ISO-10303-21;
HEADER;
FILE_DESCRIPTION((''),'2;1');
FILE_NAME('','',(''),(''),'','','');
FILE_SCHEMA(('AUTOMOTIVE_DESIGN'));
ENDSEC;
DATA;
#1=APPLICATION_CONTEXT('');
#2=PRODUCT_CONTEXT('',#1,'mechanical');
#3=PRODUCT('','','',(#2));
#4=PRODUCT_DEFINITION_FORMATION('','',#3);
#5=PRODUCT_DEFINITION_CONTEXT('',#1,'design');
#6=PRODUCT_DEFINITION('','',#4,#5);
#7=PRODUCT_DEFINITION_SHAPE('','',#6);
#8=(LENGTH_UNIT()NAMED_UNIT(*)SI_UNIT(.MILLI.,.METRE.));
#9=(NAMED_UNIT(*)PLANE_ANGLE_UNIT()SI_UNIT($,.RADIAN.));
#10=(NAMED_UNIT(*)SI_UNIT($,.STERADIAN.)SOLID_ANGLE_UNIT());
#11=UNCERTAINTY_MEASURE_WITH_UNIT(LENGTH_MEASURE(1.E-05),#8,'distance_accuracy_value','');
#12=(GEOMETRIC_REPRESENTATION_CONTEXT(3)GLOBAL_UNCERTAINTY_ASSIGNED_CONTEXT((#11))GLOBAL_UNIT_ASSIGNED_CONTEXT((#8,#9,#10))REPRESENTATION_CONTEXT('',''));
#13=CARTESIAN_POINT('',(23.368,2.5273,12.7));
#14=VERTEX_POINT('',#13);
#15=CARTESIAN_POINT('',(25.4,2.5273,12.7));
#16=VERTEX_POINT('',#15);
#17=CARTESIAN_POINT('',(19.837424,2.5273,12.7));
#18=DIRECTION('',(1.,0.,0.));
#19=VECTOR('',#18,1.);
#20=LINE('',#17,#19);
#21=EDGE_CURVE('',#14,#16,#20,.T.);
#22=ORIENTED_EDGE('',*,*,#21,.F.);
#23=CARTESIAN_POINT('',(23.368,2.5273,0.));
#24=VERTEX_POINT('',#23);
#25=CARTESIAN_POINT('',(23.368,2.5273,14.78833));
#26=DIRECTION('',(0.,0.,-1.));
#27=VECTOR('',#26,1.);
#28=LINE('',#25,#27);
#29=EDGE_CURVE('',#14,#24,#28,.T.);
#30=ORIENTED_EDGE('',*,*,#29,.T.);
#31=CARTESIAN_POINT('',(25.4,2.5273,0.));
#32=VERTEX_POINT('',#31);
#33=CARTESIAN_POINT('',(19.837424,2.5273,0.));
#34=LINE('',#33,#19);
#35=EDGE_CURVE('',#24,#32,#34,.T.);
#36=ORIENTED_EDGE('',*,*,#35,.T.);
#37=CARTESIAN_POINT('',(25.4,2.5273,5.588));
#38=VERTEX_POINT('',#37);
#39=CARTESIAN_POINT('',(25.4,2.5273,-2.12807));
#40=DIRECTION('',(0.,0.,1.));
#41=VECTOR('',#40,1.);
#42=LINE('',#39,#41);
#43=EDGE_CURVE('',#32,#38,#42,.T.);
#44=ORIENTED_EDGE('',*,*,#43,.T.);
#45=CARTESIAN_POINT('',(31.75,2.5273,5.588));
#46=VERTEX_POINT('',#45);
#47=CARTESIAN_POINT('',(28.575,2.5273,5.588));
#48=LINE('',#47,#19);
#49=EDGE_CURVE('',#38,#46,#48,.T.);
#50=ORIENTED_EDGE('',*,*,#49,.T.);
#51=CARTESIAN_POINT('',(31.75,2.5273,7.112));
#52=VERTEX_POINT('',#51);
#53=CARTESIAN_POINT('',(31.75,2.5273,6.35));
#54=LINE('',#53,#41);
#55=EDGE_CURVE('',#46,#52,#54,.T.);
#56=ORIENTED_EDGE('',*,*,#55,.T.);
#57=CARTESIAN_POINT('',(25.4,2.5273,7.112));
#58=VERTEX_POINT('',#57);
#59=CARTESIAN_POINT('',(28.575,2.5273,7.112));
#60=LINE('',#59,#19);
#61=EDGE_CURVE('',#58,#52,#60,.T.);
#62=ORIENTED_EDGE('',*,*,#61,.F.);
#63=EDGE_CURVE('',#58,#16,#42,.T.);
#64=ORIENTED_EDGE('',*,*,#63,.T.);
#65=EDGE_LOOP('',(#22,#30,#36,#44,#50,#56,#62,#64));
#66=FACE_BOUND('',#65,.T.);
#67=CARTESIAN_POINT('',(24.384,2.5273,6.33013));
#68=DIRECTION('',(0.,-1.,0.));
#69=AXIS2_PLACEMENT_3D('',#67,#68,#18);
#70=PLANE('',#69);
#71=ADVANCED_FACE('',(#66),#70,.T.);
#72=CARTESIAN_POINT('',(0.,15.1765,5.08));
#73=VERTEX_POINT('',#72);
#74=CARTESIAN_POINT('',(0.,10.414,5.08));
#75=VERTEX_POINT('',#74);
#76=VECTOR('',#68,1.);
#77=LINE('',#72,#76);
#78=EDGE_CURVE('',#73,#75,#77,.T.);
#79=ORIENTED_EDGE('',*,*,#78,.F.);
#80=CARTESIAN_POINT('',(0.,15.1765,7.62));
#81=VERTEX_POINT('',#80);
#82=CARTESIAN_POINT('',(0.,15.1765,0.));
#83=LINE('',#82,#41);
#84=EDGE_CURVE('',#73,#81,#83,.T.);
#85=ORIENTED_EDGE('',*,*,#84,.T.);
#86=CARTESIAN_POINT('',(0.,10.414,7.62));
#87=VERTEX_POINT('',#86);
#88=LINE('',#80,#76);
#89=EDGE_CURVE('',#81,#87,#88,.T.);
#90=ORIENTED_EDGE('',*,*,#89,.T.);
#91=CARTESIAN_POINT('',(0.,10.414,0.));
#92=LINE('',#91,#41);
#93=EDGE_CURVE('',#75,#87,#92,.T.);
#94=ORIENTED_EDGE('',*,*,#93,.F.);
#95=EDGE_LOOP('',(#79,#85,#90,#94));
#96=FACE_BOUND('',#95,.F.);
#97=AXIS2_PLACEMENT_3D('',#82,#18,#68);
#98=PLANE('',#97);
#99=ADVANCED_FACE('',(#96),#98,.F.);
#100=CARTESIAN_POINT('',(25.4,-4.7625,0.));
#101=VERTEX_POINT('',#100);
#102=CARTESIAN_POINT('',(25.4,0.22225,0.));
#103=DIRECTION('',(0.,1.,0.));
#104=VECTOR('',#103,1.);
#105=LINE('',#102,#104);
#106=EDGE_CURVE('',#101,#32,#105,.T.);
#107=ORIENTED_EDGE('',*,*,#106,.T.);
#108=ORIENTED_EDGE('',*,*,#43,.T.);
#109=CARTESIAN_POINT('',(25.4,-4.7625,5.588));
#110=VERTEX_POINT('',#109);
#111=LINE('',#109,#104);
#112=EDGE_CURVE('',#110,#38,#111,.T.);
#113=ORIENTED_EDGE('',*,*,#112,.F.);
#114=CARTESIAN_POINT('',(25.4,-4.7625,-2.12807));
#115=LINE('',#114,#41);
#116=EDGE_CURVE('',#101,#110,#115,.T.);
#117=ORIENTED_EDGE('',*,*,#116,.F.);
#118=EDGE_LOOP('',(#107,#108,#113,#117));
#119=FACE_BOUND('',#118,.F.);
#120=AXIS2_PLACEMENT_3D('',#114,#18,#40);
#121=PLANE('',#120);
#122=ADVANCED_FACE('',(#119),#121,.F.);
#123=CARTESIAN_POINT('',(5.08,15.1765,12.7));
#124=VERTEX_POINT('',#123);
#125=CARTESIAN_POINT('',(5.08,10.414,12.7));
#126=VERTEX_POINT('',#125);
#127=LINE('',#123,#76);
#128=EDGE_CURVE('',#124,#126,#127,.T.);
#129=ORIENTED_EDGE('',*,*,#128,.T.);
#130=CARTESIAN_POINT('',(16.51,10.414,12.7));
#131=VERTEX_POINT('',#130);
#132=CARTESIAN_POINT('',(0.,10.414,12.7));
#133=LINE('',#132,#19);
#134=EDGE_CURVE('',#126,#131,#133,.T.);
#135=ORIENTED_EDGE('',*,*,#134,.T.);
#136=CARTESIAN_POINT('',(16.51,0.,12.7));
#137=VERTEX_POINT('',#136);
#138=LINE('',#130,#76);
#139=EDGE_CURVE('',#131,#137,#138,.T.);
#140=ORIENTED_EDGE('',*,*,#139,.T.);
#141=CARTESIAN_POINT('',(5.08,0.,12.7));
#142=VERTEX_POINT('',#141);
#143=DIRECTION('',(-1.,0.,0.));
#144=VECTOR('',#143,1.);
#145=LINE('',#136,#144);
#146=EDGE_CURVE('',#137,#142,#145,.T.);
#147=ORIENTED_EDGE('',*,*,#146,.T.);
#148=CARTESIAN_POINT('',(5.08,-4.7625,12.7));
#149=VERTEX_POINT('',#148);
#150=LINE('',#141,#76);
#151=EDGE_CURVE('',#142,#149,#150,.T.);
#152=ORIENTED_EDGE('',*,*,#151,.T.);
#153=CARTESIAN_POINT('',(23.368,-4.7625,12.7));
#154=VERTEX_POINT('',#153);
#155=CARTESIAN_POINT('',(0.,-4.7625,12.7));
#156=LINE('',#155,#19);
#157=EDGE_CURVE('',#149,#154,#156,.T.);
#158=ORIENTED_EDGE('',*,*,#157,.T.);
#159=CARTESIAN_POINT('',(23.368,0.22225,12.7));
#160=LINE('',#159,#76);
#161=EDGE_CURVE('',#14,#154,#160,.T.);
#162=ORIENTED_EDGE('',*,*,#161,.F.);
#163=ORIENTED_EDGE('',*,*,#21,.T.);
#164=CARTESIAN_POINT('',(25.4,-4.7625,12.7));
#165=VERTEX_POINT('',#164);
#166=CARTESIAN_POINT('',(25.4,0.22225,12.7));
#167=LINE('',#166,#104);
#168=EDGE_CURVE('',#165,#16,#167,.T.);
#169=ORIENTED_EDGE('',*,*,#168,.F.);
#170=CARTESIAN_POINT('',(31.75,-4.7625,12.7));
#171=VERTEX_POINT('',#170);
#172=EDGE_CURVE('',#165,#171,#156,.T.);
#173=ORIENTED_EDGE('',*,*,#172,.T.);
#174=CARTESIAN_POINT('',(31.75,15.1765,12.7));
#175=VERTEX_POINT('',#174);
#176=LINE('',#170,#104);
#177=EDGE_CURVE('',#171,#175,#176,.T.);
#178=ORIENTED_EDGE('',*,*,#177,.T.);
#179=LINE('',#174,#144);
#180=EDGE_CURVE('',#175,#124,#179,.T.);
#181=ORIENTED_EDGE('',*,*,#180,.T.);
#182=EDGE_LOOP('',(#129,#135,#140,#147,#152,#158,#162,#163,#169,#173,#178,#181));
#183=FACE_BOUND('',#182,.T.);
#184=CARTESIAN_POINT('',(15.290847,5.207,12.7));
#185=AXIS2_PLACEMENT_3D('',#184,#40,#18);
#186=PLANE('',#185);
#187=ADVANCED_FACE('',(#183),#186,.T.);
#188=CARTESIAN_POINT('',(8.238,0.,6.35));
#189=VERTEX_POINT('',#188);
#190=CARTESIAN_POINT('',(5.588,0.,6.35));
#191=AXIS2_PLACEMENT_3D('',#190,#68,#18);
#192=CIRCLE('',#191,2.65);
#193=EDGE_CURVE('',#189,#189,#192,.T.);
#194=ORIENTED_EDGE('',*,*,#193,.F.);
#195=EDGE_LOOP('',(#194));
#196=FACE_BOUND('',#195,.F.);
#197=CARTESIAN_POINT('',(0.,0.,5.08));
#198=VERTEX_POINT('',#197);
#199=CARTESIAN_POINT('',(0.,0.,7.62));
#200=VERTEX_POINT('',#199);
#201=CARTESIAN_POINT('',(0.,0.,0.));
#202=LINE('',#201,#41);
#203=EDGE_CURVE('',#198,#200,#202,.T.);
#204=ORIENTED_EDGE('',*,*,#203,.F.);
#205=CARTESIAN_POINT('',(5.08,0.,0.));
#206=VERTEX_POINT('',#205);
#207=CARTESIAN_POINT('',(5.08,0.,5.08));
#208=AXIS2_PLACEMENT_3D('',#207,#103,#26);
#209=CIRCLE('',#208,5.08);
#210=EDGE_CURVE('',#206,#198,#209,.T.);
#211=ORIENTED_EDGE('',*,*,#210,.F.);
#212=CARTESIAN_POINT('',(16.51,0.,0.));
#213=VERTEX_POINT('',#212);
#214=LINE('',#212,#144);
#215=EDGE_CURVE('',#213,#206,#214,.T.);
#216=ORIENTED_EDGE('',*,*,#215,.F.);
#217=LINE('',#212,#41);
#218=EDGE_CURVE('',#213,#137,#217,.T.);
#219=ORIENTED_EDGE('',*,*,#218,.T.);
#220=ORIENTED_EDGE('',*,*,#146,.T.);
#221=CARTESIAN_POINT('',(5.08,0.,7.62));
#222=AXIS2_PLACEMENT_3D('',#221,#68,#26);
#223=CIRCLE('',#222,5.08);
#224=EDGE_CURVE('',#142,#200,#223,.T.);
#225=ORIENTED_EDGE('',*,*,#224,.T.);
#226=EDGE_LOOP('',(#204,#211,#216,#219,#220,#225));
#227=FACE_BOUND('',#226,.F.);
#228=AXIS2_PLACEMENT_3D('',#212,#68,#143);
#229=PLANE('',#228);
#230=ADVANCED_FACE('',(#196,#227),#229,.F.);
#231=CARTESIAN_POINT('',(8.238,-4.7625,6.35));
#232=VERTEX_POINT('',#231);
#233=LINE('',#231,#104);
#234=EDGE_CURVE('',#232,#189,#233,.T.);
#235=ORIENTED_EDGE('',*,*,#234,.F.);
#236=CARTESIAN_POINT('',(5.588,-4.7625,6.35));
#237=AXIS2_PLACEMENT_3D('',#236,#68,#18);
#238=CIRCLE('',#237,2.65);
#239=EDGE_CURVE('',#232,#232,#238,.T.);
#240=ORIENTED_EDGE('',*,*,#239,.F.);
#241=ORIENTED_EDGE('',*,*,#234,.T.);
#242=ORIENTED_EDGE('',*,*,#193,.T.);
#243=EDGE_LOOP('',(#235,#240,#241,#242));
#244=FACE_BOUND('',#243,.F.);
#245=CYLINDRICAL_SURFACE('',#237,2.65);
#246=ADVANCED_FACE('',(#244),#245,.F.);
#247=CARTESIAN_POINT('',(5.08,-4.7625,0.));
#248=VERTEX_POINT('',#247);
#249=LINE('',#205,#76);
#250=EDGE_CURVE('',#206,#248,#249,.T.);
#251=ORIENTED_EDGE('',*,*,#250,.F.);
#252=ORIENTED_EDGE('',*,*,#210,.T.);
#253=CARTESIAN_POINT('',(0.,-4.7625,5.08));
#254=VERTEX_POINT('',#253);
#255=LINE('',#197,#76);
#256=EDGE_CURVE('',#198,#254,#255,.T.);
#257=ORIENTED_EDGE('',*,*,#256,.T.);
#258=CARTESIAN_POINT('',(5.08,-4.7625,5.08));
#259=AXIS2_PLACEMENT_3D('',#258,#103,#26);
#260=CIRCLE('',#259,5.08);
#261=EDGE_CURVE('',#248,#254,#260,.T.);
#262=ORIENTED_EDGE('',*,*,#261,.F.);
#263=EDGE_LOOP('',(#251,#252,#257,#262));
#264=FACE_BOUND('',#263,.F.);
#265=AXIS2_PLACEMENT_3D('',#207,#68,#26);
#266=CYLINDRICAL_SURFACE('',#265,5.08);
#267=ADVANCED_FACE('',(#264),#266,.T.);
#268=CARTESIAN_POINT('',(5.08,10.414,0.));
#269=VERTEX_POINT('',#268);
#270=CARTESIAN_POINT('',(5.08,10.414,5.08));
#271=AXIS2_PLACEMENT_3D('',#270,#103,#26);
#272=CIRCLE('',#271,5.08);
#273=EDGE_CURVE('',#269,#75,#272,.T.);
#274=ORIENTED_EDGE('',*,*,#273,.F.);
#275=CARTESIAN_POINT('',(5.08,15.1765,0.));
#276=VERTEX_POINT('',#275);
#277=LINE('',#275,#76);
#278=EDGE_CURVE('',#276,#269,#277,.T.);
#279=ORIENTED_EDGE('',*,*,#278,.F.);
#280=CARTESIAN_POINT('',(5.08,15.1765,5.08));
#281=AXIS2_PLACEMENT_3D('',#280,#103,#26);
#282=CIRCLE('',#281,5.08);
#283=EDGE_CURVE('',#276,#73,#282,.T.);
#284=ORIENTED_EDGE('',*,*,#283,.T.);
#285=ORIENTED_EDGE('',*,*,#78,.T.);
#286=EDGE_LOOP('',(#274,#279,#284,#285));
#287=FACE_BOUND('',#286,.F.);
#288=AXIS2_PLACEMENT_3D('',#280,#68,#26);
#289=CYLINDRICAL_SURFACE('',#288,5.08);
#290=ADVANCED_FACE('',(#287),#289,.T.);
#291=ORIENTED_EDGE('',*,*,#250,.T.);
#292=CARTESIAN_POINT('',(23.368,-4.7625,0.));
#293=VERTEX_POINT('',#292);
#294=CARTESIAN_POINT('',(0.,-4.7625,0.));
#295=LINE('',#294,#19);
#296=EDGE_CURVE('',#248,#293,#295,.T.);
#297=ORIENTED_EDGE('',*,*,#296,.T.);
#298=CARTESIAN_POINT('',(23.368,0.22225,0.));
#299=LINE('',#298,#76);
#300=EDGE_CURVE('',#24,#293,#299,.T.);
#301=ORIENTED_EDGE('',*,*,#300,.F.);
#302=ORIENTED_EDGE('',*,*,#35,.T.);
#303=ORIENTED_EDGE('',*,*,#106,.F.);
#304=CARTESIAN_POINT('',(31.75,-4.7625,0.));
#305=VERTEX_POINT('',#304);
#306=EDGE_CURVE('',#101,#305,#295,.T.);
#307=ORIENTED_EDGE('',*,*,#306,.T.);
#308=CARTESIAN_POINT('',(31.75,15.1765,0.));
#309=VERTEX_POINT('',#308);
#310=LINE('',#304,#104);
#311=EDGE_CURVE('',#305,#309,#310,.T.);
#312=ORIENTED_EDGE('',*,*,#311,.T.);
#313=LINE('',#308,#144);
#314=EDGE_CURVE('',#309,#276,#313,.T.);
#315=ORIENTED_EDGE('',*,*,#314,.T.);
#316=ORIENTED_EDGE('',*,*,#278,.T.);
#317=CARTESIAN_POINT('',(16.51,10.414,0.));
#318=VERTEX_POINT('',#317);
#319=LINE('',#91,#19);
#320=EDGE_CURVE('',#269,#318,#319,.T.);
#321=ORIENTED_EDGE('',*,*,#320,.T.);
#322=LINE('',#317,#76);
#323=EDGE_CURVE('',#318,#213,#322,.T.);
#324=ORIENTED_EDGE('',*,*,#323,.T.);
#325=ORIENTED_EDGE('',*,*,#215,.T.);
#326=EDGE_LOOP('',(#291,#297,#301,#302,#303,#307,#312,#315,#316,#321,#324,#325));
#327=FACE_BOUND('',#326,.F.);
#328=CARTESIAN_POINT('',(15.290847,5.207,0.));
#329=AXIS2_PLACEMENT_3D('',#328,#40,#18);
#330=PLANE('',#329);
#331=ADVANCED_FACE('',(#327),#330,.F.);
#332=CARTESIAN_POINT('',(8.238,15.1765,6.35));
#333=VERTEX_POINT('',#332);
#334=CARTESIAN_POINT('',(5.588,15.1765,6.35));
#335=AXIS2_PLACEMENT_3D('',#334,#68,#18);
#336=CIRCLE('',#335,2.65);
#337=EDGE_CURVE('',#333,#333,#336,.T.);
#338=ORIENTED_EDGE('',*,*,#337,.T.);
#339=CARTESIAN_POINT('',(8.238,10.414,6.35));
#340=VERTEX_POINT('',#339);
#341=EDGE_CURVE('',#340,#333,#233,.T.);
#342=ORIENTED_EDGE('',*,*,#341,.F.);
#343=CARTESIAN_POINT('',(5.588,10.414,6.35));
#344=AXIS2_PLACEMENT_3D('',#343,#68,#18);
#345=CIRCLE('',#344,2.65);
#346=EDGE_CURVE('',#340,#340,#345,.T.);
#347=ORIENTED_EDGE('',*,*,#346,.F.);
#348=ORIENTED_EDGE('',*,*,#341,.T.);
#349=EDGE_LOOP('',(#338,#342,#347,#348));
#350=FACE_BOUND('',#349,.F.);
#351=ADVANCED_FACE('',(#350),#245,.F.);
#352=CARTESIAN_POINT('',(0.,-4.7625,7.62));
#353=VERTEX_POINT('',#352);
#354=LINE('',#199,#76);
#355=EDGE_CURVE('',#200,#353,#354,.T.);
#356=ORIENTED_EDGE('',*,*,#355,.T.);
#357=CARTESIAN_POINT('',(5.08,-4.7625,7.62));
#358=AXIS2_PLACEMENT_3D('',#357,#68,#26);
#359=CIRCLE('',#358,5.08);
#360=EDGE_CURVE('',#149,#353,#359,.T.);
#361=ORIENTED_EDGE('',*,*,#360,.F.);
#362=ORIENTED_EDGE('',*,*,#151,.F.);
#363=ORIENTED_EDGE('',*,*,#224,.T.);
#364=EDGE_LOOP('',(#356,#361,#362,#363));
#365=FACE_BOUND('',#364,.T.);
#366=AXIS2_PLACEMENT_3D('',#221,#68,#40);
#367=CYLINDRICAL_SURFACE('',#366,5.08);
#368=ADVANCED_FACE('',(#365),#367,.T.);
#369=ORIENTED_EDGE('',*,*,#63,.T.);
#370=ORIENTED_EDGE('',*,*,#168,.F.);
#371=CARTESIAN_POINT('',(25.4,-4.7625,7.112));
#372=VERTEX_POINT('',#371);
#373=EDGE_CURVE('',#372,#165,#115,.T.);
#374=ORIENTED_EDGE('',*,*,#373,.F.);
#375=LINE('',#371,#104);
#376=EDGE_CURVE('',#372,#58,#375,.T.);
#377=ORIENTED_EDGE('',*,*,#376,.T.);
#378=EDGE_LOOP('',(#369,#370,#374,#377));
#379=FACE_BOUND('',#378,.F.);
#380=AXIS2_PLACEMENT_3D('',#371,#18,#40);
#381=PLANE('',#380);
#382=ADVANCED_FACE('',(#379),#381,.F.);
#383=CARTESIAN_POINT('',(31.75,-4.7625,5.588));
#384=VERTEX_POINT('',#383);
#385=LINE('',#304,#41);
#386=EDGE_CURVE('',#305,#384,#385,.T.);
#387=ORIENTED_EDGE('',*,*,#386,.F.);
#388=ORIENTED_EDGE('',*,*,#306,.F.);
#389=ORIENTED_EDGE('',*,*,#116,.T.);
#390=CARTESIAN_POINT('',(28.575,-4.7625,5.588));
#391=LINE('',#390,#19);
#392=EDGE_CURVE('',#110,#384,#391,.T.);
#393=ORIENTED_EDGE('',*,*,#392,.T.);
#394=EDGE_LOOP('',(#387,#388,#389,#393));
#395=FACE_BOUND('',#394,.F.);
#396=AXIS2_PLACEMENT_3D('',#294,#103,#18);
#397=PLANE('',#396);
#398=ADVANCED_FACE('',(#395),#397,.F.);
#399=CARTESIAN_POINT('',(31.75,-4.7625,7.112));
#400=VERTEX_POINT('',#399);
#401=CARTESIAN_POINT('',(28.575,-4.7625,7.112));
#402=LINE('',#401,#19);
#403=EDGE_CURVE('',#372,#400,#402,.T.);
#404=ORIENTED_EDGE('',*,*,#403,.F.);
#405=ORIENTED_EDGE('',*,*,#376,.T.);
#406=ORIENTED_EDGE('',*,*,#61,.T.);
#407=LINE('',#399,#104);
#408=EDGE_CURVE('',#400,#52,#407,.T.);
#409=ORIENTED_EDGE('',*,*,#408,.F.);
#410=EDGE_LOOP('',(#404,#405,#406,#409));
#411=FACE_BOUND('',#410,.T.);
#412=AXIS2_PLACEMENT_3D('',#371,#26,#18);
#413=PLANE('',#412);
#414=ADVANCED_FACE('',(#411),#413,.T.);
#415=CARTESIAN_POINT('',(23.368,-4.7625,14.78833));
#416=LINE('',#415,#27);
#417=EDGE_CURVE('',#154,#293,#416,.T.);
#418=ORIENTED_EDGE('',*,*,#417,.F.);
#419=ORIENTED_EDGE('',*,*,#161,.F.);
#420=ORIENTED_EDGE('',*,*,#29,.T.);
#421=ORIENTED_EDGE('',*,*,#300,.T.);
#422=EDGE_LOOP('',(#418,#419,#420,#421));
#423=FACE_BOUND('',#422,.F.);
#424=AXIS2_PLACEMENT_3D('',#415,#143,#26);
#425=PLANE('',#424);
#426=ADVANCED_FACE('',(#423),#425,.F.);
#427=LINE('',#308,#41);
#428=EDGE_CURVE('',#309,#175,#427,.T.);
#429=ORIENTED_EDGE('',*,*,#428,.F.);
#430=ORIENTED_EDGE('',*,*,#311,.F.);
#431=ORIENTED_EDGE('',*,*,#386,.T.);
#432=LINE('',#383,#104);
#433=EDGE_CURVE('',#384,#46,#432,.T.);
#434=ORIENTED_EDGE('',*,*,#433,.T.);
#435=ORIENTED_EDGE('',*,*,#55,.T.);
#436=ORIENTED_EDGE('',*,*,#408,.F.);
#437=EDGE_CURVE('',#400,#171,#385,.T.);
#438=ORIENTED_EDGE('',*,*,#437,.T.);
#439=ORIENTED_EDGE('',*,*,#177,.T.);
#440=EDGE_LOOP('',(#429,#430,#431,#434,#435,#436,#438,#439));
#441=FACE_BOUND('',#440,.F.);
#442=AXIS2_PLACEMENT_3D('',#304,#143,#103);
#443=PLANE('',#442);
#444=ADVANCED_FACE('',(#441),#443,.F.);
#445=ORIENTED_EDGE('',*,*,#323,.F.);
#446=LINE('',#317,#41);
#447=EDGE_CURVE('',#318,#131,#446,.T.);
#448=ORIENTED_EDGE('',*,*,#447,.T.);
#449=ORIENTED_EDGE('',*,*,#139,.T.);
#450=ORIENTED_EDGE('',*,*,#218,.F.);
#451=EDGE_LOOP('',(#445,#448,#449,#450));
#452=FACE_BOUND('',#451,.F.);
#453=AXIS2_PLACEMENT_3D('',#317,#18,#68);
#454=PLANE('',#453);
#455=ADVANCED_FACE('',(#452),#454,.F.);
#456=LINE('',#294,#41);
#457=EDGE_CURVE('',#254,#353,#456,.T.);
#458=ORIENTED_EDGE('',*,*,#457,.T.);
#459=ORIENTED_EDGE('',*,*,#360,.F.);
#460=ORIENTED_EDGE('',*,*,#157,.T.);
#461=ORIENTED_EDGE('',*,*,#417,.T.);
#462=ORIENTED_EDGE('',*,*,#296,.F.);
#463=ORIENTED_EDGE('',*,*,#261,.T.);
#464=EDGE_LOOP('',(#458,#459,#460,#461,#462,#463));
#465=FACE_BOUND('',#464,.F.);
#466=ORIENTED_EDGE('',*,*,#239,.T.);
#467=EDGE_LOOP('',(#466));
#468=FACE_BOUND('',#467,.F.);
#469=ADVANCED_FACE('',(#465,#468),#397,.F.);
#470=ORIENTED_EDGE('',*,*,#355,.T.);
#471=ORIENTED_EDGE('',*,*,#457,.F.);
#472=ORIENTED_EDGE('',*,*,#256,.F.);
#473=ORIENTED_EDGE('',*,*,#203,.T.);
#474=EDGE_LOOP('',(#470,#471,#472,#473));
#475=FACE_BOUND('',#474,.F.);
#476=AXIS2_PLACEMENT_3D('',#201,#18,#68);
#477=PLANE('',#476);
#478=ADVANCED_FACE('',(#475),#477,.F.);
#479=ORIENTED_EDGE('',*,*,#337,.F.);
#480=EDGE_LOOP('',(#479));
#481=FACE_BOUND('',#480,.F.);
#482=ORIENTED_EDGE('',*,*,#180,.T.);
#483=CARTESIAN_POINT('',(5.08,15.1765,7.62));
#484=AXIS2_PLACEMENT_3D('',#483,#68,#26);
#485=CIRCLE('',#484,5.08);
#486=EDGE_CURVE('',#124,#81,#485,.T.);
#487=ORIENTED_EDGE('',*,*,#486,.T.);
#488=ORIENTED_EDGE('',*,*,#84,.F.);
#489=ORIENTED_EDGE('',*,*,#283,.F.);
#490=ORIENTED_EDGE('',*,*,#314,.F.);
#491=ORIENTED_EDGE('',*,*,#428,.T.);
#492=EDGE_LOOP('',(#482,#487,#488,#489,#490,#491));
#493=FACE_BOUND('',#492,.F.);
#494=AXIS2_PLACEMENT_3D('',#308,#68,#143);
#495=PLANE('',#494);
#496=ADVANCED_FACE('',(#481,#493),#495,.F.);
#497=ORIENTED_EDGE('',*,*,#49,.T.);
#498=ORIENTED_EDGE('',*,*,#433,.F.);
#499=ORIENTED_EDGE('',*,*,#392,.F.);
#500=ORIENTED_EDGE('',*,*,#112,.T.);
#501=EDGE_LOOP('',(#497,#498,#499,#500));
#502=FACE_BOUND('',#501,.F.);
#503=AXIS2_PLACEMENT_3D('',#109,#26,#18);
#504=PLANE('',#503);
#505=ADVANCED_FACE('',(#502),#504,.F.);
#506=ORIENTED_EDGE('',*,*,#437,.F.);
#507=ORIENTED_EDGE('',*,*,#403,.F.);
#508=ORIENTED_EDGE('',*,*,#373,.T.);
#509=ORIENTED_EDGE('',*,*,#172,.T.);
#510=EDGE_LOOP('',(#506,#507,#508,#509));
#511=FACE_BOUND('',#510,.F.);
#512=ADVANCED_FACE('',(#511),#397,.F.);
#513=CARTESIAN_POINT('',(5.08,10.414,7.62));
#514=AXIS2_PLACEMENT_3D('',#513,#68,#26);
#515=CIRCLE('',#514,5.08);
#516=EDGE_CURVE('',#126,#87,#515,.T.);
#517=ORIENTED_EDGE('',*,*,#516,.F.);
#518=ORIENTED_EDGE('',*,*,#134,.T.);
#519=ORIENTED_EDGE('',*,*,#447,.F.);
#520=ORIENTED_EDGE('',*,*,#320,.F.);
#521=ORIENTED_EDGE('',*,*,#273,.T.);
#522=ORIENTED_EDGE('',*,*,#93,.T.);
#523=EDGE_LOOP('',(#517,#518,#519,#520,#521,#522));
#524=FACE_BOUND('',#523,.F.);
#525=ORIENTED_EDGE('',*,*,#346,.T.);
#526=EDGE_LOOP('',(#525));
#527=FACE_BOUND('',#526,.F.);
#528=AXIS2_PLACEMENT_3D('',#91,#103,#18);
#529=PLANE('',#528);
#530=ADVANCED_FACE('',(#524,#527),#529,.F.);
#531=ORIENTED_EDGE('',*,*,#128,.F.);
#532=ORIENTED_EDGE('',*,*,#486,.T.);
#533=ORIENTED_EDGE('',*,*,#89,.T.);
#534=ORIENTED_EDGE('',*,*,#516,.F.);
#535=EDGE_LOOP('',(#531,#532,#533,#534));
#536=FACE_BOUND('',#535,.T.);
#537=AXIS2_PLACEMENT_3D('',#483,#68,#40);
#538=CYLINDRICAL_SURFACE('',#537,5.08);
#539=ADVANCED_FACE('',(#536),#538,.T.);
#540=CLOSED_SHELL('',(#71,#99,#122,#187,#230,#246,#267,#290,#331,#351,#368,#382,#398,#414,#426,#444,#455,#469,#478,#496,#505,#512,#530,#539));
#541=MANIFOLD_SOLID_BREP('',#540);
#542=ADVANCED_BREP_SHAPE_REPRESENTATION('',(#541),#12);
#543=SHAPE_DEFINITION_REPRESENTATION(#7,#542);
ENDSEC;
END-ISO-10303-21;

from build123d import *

# Parameters (mm, degrees)
F1_DEPTH = 12.7
F2_R     = 2.65
F3_DEPTH = 51.816
F4_R     = 5.08
F5_W     = 6.35
F5_H     = 1.524
F6_DEPTH = 7.2898


with BuildPart() as f1:
    # F0 (on Top) → F1 (new body)
    with BuildSketch(Plane.XY):
        Polygon((16.51, 0), (0, 0), (0, -4.7625), (25.4, -4.7625), (31.75, -4.7625), (31.75, 15.1765), (0, 15.1765), (0, 10.414), (16.51, 10.414), align=None)
    extrude(amount=F1_DEPTH)

    # F2 (on face) → F3 (cut)
    with BuildSketch(Plane.XZ.offset(4.7625)):
        with Locations((5.588, 6.35)):
            Circle(F2_R)
    extrude(amount=-F3_DEPTH, mode=Mode.SUBTRACT)

    # F4
    f4_edges = [f1.edges().sort_by_distance(p)[0] for p in [
        (0, -2.38125, 12.7),
        (0, 12.79525, 12.7),
        (0, -2.38125, 0),
        (0, 12.79525, 0),
    ]]
    fillet(f4_edges, radius=F4_R)

    # F5 (on face) → F6 (cut)
    with BuildSketch(Plane.XZ.offset(4.7625)):
        Polygon((25.4, 7.112), (25.4, 14.78833), (23.368, 14.78833), (23.368, -2.12807), (25.4, -2.12807), (25.4, 5.588), align=None)
        with Locations((28.575, 6.35)):
            Rectangle(F5_W, F5_H)
    extrude(amount=-F6_DEPTH, mode=Mode.SUBTRACT)


solid = f1.part
